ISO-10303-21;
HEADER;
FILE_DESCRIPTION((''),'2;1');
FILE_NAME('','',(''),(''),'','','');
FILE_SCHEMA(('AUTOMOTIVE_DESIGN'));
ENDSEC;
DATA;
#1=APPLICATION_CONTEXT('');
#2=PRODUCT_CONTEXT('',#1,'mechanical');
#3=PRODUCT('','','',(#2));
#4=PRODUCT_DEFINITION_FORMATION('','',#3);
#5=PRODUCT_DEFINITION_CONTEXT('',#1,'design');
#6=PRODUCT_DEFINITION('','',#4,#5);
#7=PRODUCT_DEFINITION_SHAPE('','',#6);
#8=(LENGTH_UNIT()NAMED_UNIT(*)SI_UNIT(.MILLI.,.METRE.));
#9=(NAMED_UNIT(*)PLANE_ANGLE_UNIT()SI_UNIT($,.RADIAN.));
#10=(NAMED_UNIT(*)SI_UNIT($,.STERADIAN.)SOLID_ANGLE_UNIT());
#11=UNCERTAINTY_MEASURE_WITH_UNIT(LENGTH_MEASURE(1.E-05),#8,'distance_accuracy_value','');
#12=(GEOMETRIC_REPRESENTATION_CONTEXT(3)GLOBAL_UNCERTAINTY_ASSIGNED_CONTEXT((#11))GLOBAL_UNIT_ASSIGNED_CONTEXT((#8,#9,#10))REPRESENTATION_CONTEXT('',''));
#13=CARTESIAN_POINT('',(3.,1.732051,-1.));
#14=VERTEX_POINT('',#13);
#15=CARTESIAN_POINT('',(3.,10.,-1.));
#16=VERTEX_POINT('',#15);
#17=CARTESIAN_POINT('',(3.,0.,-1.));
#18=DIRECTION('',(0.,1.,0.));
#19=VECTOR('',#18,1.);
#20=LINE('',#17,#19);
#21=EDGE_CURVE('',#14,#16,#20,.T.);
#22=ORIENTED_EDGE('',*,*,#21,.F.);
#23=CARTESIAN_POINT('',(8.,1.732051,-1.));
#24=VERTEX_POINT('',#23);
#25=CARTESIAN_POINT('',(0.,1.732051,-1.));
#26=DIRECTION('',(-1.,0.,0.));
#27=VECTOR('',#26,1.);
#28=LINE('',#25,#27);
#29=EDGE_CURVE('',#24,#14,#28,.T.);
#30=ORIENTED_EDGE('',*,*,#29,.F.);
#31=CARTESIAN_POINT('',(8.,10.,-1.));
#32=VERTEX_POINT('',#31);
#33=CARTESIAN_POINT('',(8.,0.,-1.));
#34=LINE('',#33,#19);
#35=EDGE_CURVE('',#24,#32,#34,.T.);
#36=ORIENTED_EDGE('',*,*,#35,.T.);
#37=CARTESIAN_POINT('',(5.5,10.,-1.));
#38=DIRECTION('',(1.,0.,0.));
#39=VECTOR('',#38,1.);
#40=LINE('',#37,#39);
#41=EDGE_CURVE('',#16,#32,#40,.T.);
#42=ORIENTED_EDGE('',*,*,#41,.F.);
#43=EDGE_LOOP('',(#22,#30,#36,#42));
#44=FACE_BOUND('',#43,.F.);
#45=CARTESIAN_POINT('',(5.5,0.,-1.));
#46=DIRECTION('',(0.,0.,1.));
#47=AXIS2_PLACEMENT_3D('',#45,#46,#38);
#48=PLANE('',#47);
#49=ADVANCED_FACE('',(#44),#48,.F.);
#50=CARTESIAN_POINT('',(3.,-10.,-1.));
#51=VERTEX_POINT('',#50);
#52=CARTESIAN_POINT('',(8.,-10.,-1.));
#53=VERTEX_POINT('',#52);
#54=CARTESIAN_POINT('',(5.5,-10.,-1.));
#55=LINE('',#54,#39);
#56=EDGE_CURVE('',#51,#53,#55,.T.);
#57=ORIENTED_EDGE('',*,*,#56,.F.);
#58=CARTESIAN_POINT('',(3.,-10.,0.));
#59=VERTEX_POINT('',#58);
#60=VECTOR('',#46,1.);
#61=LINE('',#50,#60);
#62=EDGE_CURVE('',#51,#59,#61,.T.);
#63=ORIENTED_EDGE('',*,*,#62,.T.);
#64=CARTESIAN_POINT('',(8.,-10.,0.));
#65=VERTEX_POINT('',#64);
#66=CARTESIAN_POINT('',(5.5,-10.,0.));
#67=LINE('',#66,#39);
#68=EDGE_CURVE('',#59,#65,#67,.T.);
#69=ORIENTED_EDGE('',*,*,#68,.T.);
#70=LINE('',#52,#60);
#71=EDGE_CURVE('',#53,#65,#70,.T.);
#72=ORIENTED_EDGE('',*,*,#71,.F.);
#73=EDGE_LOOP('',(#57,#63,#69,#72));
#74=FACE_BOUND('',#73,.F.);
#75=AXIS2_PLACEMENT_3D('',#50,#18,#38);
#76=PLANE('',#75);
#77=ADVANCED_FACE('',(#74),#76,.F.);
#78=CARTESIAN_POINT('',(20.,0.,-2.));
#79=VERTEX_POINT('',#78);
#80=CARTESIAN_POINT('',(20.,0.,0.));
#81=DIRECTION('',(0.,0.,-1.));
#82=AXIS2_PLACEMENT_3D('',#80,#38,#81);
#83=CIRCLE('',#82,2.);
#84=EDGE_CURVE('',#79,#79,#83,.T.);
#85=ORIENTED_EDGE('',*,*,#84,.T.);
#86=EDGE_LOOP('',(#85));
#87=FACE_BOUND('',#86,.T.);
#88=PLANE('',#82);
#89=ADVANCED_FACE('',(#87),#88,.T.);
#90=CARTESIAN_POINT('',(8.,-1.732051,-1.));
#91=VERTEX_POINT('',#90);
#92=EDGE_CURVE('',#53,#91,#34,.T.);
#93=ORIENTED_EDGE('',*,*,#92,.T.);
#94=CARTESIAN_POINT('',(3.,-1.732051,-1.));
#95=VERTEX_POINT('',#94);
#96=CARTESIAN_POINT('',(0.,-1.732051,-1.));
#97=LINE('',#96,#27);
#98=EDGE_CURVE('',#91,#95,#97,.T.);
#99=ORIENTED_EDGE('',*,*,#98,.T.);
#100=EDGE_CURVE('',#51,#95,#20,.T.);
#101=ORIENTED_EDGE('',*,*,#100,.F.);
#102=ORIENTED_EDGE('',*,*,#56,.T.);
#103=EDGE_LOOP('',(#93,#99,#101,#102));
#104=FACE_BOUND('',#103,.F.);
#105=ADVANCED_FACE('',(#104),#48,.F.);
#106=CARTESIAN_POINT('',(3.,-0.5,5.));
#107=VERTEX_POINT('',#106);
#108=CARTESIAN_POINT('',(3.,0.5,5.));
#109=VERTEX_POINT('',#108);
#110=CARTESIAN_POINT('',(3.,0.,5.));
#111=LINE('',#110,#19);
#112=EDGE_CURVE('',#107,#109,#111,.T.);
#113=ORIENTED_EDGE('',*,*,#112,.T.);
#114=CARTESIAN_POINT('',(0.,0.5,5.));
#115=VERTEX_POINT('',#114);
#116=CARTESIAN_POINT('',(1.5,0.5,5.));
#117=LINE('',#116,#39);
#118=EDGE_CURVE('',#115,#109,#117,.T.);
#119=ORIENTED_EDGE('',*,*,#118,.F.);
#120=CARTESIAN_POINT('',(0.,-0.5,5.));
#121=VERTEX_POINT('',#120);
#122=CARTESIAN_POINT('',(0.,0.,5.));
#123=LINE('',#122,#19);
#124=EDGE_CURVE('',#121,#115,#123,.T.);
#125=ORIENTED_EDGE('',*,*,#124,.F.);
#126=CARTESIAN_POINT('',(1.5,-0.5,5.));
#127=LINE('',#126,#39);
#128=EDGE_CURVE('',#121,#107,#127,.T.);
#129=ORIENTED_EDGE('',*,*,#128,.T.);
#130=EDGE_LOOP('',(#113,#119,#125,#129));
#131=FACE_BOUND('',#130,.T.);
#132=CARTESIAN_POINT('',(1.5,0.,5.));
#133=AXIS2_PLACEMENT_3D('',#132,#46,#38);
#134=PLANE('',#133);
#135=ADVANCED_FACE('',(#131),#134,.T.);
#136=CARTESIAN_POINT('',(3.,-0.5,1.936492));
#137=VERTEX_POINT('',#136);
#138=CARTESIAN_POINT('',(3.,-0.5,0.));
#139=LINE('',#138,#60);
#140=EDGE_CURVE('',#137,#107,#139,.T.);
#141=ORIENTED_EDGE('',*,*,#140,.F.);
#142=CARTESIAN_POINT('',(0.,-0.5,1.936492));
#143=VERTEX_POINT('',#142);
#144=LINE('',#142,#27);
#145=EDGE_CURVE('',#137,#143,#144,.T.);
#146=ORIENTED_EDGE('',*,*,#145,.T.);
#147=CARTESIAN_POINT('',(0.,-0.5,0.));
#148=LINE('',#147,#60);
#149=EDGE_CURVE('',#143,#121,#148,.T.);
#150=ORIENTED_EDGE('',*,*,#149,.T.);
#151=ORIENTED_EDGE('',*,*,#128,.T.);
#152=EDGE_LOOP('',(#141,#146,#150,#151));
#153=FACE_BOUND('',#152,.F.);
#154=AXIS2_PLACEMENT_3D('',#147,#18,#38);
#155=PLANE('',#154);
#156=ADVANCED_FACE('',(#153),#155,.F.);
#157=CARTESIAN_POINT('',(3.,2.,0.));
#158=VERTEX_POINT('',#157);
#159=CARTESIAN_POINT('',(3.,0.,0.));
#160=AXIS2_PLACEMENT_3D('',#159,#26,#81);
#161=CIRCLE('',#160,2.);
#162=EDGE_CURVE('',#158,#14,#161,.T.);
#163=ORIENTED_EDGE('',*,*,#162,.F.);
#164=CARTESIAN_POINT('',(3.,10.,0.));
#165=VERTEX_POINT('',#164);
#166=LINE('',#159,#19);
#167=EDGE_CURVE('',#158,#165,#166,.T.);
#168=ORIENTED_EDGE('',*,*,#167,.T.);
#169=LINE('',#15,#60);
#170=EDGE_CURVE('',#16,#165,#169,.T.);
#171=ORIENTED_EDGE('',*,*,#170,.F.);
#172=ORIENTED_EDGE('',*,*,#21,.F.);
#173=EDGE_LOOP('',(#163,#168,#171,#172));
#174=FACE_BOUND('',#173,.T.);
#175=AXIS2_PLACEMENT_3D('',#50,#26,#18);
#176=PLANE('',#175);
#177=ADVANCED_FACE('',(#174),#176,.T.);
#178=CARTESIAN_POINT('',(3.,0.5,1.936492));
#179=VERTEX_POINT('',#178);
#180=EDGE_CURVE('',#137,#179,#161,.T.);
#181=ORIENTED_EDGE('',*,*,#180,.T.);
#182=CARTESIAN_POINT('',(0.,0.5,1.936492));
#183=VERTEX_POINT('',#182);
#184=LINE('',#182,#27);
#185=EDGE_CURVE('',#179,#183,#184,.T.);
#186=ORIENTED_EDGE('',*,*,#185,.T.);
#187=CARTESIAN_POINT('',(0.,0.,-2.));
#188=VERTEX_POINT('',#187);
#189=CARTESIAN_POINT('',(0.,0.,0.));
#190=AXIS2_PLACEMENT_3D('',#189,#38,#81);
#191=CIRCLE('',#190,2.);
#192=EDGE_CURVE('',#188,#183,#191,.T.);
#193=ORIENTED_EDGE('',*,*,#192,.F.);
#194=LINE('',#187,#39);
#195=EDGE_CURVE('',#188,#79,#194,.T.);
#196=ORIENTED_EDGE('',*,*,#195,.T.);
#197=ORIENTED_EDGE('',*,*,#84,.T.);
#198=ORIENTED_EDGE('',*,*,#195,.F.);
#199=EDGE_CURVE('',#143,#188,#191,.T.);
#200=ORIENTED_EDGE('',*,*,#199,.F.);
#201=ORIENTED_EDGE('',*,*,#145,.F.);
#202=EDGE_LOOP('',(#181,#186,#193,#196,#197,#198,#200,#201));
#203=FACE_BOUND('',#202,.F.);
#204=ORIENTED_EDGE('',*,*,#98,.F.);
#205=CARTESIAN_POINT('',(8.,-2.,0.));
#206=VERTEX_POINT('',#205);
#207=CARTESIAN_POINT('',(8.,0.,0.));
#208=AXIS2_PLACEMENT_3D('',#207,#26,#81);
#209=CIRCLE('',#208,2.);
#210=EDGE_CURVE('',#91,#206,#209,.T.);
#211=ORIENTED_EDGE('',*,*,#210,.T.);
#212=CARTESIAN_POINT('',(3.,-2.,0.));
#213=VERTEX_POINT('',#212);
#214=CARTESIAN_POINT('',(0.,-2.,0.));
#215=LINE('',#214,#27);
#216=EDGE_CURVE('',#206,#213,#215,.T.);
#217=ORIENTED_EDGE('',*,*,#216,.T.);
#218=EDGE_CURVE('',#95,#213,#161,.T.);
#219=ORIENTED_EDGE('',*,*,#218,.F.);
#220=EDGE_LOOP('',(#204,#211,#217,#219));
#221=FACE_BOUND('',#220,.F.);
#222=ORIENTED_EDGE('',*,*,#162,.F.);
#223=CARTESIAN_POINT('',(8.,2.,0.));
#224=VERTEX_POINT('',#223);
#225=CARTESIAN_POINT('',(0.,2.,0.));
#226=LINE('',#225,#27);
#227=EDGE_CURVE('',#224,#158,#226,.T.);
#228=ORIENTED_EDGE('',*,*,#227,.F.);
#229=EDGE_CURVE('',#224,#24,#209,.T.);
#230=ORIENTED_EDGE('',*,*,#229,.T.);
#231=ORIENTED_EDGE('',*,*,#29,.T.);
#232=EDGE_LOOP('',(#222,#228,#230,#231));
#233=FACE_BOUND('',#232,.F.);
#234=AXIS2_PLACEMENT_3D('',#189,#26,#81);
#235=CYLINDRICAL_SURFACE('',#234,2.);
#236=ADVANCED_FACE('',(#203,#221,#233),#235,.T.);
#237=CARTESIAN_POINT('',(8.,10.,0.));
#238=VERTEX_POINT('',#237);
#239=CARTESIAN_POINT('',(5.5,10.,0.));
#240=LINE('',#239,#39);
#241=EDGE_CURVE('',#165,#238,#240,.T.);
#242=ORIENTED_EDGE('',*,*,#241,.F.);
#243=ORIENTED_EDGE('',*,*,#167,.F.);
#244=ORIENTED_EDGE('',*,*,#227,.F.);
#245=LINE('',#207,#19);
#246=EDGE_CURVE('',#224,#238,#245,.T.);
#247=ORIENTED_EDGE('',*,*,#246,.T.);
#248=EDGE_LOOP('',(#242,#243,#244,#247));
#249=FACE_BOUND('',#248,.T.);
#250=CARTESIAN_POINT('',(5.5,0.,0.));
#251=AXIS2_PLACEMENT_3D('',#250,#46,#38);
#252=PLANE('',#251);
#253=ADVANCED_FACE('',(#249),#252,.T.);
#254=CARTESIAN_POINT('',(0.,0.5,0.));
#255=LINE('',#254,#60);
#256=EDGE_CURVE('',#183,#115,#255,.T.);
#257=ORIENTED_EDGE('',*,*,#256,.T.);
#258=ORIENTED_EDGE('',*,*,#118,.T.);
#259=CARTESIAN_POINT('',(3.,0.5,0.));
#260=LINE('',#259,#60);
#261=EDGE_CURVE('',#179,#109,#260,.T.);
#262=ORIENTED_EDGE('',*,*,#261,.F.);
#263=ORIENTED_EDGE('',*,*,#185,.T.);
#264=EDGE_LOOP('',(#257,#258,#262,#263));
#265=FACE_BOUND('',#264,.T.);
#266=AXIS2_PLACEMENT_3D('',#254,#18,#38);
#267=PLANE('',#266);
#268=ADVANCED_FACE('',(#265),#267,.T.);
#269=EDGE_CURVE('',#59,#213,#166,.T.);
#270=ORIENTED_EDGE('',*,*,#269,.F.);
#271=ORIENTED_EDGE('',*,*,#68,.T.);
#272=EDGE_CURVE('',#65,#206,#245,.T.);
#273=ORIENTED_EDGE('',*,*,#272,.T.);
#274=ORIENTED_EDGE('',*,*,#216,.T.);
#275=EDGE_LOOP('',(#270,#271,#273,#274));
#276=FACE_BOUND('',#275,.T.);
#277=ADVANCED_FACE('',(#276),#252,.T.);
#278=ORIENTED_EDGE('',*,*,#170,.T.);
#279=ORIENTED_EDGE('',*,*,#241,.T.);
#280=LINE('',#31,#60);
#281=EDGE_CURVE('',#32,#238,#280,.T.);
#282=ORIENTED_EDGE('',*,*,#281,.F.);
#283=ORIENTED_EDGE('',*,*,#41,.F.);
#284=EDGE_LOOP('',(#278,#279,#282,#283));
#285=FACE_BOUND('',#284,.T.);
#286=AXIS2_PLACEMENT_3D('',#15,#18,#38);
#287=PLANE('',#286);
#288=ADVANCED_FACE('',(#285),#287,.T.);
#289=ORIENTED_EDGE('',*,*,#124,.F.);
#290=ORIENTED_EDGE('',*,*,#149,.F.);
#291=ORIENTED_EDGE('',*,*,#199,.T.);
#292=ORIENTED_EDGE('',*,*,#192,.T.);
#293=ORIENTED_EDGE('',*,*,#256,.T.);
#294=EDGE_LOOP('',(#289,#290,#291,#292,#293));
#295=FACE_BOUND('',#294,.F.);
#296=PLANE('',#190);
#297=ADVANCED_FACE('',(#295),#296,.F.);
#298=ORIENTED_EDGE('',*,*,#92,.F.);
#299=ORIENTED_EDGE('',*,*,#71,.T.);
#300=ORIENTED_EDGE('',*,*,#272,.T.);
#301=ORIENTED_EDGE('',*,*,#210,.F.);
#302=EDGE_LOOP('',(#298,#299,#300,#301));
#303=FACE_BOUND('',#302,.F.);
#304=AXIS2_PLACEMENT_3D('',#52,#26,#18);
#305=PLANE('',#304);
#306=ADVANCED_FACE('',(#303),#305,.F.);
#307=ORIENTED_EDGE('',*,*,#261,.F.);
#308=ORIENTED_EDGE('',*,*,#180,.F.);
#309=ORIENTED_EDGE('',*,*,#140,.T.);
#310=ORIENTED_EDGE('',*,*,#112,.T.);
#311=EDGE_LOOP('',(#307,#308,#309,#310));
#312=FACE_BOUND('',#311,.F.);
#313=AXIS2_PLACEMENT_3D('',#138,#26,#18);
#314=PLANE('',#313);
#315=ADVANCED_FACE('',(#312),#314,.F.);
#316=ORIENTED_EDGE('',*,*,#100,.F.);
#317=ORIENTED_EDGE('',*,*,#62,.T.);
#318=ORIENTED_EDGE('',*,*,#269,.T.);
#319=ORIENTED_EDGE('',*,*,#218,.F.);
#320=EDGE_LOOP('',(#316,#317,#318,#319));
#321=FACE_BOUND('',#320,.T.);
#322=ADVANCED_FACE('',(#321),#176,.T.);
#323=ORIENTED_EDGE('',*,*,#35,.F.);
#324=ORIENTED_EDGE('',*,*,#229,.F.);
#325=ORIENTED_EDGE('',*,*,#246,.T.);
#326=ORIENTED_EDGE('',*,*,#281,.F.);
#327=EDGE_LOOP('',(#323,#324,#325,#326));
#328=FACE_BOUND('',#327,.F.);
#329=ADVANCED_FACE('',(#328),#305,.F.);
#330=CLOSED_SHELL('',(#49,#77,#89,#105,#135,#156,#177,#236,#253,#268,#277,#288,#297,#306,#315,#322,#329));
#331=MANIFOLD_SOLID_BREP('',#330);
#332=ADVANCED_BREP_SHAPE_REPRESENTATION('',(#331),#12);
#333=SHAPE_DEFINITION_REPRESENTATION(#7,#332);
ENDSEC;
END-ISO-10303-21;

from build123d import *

# Parameters (mm, degrees)
BOX001_W       = 3
BOX001_H       = 1
BOX001_DEPTH   = 5
CYLINDER_R     = 2
CYLINDER_DEPTH = 20
BOX_W          = 5
BOX_H          = 20
BOX_DEPTH      = 1


with BuildPart() as cube001:
    # Box001 → Box001 (new body)
    with BuildSketch(Plane(origin=(0, -0.5, 0), x_dir=(1, 0, 0), z_dir=(0, 0, 1))):
        with Locations((1.5, 0.5)):
            Rectangle(BOX001_W, BOX001_H)
    extrude(amount=BOX001_DEPTH)


with BuildPart() as cylinder:
    # Cylinder → Cylinder (new body)
    with BuildSketch(Plane(origin=(0, 0, 0), x_dir=(0, 0, -1), z_dir=(1, 0, 0))):
        Circle(CYLINDER_R)
    extrude(amount=CYLINDER_DEPTH)


with BuildPart() as aeroplane:
    # Box → Box (new body)
    with BuildSketch(Plane(origin=(3, -10, -1), x_dir=(1, 0, 0), z_dir=(0, 0, 1))):
        with Locations((2.5, 10)):
            Rectangle(BOX_W, BOX_H)
    extrude(amount=BOX_DEPTH)

    # Fusion: union Cylinder
    add(cylinder.part)

    # Fusion001: union Cube001
    add(cube001.part)


solid = aeroplane.part
